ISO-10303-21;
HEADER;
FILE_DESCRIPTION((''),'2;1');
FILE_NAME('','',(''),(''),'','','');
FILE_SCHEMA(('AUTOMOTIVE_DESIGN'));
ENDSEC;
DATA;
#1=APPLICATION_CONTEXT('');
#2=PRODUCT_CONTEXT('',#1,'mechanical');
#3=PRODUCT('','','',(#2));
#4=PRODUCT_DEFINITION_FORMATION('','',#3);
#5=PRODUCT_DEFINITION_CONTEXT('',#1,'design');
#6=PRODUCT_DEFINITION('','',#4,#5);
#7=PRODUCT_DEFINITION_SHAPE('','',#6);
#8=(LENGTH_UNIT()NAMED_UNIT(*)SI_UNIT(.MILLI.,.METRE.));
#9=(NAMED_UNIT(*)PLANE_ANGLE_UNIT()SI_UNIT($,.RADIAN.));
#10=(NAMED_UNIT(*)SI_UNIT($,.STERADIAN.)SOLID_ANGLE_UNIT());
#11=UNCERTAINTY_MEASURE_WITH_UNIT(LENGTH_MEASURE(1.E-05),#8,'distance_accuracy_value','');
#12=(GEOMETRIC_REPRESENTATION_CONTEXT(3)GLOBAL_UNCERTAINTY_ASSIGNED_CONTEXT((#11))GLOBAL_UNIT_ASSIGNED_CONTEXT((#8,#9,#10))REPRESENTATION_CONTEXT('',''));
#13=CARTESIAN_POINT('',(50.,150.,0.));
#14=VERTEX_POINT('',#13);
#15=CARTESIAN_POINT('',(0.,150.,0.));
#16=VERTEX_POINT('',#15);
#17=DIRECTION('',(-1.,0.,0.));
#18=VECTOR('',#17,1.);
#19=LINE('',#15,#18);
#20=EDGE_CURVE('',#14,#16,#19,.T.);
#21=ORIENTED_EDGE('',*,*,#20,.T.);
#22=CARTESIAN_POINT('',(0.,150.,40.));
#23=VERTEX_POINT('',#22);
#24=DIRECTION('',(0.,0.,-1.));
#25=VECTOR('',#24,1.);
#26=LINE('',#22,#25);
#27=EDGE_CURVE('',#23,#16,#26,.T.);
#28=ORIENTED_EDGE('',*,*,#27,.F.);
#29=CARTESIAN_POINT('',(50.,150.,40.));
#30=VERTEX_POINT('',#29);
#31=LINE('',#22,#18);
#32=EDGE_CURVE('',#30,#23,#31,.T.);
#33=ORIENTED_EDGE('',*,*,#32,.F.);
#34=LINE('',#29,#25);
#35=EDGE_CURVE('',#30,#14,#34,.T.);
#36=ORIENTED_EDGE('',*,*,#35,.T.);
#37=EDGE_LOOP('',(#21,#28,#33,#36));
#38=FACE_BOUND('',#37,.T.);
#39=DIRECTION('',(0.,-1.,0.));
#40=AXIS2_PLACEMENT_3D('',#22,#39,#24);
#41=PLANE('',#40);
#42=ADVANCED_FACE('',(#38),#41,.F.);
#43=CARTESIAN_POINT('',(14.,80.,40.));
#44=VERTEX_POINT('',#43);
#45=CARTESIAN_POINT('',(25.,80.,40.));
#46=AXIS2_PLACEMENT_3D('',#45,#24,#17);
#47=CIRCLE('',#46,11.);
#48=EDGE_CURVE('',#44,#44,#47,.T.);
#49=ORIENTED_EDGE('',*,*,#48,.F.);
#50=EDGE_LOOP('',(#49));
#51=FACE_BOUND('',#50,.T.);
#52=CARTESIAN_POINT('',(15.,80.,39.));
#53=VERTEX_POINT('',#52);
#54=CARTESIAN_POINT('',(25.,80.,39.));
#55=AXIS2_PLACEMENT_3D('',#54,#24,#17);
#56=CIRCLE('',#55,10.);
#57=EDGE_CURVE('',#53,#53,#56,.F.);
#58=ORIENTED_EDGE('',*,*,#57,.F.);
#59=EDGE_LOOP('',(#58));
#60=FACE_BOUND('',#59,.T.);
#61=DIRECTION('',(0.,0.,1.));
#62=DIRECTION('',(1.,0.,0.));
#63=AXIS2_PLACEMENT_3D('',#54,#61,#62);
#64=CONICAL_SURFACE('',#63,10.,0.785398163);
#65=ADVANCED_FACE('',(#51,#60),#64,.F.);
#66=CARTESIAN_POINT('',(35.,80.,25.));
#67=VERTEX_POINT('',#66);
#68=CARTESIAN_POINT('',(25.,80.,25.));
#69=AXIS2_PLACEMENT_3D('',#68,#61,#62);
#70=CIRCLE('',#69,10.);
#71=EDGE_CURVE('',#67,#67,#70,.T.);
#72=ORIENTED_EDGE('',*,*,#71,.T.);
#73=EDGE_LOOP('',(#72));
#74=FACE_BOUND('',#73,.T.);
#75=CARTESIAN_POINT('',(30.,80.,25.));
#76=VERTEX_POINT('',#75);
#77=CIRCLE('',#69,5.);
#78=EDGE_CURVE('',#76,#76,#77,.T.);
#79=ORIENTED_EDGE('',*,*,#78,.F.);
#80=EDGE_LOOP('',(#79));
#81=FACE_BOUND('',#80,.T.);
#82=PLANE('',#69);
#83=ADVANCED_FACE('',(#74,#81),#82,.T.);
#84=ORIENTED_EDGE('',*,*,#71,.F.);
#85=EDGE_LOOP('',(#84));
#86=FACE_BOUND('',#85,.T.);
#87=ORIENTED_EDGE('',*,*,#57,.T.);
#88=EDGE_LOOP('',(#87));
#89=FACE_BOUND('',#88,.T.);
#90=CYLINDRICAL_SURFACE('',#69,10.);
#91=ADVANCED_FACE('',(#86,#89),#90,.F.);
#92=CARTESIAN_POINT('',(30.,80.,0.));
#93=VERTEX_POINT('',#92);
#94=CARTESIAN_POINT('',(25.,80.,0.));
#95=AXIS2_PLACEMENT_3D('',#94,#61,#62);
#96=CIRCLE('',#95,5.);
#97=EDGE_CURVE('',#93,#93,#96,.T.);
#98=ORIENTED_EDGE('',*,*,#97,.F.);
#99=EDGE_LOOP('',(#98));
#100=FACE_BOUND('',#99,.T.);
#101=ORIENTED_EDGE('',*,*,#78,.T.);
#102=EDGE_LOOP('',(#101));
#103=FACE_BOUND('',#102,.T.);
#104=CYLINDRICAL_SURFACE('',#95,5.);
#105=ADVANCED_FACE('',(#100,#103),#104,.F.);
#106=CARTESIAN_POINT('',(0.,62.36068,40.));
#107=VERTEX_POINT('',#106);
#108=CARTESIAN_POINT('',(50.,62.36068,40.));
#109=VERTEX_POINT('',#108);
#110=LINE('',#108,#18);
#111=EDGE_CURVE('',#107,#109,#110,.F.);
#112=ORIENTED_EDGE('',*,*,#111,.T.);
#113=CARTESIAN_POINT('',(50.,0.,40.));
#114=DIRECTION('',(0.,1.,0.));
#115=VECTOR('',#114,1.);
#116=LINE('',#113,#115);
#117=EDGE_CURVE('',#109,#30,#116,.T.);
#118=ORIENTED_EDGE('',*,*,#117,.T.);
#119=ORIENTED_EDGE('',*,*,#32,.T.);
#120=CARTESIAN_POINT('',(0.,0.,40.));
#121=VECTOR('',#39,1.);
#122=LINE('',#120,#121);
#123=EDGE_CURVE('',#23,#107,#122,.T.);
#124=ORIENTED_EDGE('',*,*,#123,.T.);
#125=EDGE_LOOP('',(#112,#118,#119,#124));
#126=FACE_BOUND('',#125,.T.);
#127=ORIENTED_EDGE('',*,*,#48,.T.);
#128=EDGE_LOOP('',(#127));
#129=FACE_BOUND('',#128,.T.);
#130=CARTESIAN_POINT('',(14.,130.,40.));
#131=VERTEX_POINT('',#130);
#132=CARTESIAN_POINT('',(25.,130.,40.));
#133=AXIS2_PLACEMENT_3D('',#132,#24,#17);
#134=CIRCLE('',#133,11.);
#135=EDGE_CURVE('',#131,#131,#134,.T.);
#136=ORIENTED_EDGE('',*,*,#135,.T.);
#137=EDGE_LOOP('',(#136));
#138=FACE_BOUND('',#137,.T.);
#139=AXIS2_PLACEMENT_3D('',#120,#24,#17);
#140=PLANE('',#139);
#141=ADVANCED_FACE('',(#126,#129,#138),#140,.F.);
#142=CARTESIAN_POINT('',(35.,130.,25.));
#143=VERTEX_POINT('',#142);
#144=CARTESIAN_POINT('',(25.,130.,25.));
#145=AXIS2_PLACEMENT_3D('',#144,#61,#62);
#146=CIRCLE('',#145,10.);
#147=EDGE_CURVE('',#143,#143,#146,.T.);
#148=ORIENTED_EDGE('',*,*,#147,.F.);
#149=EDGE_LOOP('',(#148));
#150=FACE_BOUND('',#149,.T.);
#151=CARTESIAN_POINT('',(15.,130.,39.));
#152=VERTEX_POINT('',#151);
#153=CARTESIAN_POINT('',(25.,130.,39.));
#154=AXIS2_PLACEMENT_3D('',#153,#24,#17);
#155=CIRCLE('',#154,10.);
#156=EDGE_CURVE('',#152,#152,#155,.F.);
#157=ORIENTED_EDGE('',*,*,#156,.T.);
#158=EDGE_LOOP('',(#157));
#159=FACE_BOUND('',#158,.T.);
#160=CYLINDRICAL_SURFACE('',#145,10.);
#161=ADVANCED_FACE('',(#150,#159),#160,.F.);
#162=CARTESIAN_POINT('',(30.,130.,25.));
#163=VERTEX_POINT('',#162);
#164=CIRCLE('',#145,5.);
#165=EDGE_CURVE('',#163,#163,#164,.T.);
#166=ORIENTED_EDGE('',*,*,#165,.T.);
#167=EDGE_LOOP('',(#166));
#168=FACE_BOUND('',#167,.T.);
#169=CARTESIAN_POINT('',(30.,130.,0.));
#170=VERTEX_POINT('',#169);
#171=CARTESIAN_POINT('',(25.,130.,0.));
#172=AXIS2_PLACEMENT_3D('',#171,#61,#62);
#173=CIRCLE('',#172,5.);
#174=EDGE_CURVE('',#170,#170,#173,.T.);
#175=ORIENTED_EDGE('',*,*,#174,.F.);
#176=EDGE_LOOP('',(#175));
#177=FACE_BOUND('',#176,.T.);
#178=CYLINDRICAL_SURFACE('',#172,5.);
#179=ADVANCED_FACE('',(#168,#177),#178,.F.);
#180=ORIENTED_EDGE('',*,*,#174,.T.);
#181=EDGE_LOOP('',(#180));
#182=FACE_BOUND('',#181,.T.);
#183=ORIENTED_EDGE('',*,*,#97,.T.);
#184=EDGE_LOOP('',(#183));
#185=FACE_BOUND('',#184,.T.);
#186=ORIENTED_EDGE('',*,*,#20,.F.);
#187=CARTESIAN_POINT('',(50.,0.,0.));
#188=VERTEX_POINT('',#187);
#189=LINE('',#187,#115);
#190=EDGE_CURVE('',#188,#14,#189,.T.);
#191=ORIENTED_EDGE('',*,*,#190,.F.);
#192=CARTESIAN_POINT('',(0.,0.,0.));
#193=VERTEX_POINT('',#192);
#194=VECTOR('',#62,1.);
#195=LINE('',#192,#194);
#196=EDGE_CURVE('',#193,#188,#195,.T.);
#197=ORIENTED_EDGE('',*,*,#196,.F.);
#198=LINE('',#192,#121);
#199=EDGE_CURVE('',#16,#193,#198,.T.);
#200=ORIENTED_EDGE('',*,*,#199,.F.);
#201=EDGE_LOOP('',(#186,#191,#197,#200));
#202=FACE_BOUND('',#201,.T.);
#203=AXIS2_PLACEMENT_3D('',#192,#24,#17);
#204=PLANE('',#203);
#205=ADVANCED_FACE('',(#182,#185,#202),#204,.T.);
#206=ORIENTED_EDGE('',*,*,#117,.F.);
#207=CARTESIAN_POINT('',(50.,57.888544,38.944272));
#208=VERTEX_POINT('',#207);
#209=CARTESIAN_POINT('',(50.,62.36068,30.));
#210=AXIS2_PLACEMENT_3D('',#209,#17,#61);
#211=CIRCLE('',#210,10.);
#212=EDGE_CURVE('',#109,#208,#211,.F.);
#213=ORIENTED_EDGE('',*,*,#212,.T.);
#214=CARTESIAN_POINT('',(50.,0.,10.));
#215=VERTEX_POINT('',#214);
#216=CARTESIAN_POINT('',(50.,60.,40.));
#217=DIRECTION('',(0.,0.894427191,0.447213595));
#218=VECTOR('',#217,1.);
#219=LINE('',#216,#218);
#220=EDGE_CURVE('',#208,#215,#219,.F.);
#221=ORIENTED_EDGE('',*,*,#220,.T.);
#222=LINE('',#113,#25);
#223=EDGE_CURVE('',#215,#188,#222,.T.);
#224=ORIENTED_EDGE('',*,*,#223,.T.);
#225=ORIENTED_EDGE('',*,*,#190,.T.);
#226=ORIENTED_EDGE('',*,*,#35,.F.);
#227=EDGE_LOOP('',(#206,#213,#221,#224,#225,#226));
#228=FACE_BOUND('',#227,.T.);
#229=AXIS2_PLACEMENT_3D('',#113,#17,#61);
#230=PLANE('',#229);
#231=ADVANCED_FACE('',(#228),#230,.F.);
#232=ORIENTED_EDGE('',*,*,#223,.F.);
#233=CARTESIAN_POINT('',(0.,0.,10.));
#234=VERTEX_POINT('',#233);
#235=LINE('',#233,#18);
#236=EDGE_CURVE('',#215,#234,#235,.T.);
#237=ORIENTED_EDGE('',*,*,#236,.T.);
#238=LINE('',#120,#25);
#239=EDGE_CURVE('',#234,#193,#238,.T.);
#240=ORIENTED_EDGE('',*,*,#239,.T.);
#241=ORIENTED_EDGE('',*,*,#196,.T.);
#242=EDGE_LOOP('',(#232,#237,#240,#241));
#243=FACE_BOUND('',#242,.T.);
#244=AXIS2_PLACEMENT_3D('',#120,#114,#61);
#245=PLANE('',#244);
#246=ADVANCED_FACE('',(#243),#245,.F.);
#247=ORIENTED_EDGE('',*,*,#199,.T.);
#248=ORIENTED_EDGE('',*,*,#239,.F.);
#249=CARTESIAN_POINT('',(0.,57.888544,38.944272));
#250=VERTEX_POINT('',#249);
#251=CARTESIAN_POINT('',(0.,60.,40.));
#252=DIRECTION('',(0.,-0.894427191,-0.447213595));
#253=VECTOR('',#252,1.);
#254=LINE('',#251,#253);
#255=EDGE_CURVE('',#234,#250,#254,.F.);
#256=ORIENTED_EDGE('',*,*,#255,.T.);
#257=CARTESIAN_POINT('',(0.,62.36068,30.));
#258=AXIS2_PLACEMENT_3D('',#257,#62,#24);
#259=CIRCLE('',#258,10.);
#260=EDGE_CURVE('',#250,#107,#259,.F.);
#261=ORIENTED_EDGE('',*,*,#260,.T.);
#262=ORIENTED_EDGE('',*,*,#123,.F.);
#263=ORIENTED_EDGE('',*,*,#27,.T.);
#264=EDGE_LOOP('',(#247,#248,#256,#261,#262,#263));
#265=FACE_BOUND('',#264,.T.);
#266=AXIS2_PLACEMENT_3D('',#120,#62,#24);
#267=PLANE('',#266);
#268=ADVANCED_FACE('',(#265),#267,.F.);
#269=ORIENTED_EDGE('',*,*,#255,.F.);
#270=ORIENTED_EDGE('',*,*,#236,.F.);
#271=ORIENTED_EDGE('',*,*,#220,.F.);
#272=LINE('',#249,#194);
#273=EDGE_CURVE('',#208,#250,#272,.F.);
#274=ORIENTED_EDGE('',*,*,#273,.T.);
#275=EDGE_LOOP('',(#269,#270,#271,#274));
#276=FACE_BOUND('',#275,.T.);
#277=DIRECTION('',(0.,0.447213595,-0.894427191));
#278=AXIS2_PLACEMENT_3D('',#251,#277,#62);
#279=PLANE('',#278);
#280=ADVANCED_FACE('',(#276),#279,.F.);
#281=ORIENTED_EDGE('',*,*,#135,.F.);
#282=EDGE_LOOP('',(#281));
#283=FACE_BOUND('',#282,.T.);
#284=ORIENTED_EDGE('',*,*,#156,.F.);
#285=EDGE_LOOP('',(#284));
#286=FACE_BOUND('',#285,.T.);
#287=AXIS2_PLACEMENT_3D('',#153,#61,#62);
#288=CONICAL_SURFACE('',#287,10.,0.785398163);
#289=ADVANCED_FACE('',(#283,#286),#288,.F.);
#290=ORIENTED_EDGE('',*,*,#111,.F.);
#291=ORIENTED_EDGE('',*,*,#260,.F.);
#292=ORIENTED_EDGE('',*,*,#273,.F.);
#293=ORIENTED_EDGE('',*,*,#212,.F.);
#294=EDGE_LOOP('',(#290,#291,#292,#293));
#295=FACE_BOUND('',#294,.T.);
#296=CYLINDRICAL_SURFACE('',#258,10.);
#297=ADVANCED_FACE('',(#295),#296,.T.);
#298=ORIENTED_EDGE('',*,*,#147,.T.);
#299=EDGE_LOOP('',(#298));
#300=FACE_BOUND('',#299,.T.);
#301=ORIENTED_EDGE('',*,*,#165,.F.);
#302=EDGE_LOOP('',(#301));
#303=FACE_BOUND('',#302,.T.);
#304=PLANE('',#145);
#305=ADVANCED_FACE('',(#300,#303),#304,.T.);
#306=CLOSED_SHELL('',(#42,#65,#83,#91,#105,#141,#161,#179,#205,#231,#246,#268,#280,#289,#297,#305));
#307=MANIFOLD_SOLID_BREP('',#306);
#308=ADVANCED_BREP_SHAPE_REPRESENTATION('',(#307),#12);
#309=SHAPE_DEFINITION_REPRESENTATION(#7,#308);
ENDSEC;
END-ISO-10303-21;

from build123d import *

# Parameters (mm, degrees)
SKETCH_1_W          = 50
SKETCH_1_H          = 150
EXTRUDE_1_DEPTH     = 40
CHAMFER_1_SIZE      = 30
CHAMFER_1_SIZE2     = 60
FILLET_1_R          = 10
SKETCH_2_R          = 10
CUT_EXTRUDE_1_DEPTH = 15
CHAMFER_2_SIZE      = 1
SKETCH_3_R          = 5
CUT_EXTRUDE_2_DEPTH = 26


with BuildPart() as part:
    # 草图1 → 凸台-拉伸1 (new body)
    with BuildSketch(Plane.XY):
        with Locations((25, 75)):
            Rectangle(SKETCH_1_W, SKETCH_1_H)
    extrude(amount=EXTRUDE_1_DEPTH)

    # 倒角1
    chamfer_1_edges = [part.edges().sort_by_distance(p)[0] for p in [
        (25, 0, 40),
    ]]
    chamfer_1_side = [part.faces().sort_by_distance(p)[0] for p in [
        (25, 0, 20),
    ]]
    chamfer(chamfer_1_edges, length=CHAMFER_1_SIZE, length2=CHAMFER_1_SIZE2, reference=chamfer_1_side[0])

    # 圆角1
    fillet_1_edges = [part.edges().sort_by_distance(p)[0] for p in [
        (25, 60, 40),
    ]]
    fillet(fillet_1_edges, radius=FILLET_1_R)

    # 草图2 → 切除-拉伸1 (cut)
    with BuildSketch(Plane.XY.offset(40)):
        with Locations((25, 130)):
            Circle(SKETCH_2_R)
        with Locations((25, 80)):
            Circle(SKETCH_2_R)
    extrude(amount=-CUT_EXTRUDE_1_DEPTH, mode=Mode.SUBTRACT)

    # 倒角2
    chamfer_2_edges = [part.edges().sort_by_distance(p)[0] for p in [
        (15, 130, 40),
        (15, 80, 40),
    ]]
    chamfer(chamfer_2_edges, length=CHAMFER_2_SIZE)

    # 草图3 → 切除-拉伸2 (cut, through all)
    with BuildSketch(Plane.XY.offset(25)):
        with Locations((25, 130)):
            Circle(SKETCH_3_R)
        with Locations((25, 80)):
            Circle(SKETCH_3_R)
    extrude(amount=-CUT_EXTRUDE_2_DEPTH, mode=Mode.SUBTRACT)


solid = part.part
